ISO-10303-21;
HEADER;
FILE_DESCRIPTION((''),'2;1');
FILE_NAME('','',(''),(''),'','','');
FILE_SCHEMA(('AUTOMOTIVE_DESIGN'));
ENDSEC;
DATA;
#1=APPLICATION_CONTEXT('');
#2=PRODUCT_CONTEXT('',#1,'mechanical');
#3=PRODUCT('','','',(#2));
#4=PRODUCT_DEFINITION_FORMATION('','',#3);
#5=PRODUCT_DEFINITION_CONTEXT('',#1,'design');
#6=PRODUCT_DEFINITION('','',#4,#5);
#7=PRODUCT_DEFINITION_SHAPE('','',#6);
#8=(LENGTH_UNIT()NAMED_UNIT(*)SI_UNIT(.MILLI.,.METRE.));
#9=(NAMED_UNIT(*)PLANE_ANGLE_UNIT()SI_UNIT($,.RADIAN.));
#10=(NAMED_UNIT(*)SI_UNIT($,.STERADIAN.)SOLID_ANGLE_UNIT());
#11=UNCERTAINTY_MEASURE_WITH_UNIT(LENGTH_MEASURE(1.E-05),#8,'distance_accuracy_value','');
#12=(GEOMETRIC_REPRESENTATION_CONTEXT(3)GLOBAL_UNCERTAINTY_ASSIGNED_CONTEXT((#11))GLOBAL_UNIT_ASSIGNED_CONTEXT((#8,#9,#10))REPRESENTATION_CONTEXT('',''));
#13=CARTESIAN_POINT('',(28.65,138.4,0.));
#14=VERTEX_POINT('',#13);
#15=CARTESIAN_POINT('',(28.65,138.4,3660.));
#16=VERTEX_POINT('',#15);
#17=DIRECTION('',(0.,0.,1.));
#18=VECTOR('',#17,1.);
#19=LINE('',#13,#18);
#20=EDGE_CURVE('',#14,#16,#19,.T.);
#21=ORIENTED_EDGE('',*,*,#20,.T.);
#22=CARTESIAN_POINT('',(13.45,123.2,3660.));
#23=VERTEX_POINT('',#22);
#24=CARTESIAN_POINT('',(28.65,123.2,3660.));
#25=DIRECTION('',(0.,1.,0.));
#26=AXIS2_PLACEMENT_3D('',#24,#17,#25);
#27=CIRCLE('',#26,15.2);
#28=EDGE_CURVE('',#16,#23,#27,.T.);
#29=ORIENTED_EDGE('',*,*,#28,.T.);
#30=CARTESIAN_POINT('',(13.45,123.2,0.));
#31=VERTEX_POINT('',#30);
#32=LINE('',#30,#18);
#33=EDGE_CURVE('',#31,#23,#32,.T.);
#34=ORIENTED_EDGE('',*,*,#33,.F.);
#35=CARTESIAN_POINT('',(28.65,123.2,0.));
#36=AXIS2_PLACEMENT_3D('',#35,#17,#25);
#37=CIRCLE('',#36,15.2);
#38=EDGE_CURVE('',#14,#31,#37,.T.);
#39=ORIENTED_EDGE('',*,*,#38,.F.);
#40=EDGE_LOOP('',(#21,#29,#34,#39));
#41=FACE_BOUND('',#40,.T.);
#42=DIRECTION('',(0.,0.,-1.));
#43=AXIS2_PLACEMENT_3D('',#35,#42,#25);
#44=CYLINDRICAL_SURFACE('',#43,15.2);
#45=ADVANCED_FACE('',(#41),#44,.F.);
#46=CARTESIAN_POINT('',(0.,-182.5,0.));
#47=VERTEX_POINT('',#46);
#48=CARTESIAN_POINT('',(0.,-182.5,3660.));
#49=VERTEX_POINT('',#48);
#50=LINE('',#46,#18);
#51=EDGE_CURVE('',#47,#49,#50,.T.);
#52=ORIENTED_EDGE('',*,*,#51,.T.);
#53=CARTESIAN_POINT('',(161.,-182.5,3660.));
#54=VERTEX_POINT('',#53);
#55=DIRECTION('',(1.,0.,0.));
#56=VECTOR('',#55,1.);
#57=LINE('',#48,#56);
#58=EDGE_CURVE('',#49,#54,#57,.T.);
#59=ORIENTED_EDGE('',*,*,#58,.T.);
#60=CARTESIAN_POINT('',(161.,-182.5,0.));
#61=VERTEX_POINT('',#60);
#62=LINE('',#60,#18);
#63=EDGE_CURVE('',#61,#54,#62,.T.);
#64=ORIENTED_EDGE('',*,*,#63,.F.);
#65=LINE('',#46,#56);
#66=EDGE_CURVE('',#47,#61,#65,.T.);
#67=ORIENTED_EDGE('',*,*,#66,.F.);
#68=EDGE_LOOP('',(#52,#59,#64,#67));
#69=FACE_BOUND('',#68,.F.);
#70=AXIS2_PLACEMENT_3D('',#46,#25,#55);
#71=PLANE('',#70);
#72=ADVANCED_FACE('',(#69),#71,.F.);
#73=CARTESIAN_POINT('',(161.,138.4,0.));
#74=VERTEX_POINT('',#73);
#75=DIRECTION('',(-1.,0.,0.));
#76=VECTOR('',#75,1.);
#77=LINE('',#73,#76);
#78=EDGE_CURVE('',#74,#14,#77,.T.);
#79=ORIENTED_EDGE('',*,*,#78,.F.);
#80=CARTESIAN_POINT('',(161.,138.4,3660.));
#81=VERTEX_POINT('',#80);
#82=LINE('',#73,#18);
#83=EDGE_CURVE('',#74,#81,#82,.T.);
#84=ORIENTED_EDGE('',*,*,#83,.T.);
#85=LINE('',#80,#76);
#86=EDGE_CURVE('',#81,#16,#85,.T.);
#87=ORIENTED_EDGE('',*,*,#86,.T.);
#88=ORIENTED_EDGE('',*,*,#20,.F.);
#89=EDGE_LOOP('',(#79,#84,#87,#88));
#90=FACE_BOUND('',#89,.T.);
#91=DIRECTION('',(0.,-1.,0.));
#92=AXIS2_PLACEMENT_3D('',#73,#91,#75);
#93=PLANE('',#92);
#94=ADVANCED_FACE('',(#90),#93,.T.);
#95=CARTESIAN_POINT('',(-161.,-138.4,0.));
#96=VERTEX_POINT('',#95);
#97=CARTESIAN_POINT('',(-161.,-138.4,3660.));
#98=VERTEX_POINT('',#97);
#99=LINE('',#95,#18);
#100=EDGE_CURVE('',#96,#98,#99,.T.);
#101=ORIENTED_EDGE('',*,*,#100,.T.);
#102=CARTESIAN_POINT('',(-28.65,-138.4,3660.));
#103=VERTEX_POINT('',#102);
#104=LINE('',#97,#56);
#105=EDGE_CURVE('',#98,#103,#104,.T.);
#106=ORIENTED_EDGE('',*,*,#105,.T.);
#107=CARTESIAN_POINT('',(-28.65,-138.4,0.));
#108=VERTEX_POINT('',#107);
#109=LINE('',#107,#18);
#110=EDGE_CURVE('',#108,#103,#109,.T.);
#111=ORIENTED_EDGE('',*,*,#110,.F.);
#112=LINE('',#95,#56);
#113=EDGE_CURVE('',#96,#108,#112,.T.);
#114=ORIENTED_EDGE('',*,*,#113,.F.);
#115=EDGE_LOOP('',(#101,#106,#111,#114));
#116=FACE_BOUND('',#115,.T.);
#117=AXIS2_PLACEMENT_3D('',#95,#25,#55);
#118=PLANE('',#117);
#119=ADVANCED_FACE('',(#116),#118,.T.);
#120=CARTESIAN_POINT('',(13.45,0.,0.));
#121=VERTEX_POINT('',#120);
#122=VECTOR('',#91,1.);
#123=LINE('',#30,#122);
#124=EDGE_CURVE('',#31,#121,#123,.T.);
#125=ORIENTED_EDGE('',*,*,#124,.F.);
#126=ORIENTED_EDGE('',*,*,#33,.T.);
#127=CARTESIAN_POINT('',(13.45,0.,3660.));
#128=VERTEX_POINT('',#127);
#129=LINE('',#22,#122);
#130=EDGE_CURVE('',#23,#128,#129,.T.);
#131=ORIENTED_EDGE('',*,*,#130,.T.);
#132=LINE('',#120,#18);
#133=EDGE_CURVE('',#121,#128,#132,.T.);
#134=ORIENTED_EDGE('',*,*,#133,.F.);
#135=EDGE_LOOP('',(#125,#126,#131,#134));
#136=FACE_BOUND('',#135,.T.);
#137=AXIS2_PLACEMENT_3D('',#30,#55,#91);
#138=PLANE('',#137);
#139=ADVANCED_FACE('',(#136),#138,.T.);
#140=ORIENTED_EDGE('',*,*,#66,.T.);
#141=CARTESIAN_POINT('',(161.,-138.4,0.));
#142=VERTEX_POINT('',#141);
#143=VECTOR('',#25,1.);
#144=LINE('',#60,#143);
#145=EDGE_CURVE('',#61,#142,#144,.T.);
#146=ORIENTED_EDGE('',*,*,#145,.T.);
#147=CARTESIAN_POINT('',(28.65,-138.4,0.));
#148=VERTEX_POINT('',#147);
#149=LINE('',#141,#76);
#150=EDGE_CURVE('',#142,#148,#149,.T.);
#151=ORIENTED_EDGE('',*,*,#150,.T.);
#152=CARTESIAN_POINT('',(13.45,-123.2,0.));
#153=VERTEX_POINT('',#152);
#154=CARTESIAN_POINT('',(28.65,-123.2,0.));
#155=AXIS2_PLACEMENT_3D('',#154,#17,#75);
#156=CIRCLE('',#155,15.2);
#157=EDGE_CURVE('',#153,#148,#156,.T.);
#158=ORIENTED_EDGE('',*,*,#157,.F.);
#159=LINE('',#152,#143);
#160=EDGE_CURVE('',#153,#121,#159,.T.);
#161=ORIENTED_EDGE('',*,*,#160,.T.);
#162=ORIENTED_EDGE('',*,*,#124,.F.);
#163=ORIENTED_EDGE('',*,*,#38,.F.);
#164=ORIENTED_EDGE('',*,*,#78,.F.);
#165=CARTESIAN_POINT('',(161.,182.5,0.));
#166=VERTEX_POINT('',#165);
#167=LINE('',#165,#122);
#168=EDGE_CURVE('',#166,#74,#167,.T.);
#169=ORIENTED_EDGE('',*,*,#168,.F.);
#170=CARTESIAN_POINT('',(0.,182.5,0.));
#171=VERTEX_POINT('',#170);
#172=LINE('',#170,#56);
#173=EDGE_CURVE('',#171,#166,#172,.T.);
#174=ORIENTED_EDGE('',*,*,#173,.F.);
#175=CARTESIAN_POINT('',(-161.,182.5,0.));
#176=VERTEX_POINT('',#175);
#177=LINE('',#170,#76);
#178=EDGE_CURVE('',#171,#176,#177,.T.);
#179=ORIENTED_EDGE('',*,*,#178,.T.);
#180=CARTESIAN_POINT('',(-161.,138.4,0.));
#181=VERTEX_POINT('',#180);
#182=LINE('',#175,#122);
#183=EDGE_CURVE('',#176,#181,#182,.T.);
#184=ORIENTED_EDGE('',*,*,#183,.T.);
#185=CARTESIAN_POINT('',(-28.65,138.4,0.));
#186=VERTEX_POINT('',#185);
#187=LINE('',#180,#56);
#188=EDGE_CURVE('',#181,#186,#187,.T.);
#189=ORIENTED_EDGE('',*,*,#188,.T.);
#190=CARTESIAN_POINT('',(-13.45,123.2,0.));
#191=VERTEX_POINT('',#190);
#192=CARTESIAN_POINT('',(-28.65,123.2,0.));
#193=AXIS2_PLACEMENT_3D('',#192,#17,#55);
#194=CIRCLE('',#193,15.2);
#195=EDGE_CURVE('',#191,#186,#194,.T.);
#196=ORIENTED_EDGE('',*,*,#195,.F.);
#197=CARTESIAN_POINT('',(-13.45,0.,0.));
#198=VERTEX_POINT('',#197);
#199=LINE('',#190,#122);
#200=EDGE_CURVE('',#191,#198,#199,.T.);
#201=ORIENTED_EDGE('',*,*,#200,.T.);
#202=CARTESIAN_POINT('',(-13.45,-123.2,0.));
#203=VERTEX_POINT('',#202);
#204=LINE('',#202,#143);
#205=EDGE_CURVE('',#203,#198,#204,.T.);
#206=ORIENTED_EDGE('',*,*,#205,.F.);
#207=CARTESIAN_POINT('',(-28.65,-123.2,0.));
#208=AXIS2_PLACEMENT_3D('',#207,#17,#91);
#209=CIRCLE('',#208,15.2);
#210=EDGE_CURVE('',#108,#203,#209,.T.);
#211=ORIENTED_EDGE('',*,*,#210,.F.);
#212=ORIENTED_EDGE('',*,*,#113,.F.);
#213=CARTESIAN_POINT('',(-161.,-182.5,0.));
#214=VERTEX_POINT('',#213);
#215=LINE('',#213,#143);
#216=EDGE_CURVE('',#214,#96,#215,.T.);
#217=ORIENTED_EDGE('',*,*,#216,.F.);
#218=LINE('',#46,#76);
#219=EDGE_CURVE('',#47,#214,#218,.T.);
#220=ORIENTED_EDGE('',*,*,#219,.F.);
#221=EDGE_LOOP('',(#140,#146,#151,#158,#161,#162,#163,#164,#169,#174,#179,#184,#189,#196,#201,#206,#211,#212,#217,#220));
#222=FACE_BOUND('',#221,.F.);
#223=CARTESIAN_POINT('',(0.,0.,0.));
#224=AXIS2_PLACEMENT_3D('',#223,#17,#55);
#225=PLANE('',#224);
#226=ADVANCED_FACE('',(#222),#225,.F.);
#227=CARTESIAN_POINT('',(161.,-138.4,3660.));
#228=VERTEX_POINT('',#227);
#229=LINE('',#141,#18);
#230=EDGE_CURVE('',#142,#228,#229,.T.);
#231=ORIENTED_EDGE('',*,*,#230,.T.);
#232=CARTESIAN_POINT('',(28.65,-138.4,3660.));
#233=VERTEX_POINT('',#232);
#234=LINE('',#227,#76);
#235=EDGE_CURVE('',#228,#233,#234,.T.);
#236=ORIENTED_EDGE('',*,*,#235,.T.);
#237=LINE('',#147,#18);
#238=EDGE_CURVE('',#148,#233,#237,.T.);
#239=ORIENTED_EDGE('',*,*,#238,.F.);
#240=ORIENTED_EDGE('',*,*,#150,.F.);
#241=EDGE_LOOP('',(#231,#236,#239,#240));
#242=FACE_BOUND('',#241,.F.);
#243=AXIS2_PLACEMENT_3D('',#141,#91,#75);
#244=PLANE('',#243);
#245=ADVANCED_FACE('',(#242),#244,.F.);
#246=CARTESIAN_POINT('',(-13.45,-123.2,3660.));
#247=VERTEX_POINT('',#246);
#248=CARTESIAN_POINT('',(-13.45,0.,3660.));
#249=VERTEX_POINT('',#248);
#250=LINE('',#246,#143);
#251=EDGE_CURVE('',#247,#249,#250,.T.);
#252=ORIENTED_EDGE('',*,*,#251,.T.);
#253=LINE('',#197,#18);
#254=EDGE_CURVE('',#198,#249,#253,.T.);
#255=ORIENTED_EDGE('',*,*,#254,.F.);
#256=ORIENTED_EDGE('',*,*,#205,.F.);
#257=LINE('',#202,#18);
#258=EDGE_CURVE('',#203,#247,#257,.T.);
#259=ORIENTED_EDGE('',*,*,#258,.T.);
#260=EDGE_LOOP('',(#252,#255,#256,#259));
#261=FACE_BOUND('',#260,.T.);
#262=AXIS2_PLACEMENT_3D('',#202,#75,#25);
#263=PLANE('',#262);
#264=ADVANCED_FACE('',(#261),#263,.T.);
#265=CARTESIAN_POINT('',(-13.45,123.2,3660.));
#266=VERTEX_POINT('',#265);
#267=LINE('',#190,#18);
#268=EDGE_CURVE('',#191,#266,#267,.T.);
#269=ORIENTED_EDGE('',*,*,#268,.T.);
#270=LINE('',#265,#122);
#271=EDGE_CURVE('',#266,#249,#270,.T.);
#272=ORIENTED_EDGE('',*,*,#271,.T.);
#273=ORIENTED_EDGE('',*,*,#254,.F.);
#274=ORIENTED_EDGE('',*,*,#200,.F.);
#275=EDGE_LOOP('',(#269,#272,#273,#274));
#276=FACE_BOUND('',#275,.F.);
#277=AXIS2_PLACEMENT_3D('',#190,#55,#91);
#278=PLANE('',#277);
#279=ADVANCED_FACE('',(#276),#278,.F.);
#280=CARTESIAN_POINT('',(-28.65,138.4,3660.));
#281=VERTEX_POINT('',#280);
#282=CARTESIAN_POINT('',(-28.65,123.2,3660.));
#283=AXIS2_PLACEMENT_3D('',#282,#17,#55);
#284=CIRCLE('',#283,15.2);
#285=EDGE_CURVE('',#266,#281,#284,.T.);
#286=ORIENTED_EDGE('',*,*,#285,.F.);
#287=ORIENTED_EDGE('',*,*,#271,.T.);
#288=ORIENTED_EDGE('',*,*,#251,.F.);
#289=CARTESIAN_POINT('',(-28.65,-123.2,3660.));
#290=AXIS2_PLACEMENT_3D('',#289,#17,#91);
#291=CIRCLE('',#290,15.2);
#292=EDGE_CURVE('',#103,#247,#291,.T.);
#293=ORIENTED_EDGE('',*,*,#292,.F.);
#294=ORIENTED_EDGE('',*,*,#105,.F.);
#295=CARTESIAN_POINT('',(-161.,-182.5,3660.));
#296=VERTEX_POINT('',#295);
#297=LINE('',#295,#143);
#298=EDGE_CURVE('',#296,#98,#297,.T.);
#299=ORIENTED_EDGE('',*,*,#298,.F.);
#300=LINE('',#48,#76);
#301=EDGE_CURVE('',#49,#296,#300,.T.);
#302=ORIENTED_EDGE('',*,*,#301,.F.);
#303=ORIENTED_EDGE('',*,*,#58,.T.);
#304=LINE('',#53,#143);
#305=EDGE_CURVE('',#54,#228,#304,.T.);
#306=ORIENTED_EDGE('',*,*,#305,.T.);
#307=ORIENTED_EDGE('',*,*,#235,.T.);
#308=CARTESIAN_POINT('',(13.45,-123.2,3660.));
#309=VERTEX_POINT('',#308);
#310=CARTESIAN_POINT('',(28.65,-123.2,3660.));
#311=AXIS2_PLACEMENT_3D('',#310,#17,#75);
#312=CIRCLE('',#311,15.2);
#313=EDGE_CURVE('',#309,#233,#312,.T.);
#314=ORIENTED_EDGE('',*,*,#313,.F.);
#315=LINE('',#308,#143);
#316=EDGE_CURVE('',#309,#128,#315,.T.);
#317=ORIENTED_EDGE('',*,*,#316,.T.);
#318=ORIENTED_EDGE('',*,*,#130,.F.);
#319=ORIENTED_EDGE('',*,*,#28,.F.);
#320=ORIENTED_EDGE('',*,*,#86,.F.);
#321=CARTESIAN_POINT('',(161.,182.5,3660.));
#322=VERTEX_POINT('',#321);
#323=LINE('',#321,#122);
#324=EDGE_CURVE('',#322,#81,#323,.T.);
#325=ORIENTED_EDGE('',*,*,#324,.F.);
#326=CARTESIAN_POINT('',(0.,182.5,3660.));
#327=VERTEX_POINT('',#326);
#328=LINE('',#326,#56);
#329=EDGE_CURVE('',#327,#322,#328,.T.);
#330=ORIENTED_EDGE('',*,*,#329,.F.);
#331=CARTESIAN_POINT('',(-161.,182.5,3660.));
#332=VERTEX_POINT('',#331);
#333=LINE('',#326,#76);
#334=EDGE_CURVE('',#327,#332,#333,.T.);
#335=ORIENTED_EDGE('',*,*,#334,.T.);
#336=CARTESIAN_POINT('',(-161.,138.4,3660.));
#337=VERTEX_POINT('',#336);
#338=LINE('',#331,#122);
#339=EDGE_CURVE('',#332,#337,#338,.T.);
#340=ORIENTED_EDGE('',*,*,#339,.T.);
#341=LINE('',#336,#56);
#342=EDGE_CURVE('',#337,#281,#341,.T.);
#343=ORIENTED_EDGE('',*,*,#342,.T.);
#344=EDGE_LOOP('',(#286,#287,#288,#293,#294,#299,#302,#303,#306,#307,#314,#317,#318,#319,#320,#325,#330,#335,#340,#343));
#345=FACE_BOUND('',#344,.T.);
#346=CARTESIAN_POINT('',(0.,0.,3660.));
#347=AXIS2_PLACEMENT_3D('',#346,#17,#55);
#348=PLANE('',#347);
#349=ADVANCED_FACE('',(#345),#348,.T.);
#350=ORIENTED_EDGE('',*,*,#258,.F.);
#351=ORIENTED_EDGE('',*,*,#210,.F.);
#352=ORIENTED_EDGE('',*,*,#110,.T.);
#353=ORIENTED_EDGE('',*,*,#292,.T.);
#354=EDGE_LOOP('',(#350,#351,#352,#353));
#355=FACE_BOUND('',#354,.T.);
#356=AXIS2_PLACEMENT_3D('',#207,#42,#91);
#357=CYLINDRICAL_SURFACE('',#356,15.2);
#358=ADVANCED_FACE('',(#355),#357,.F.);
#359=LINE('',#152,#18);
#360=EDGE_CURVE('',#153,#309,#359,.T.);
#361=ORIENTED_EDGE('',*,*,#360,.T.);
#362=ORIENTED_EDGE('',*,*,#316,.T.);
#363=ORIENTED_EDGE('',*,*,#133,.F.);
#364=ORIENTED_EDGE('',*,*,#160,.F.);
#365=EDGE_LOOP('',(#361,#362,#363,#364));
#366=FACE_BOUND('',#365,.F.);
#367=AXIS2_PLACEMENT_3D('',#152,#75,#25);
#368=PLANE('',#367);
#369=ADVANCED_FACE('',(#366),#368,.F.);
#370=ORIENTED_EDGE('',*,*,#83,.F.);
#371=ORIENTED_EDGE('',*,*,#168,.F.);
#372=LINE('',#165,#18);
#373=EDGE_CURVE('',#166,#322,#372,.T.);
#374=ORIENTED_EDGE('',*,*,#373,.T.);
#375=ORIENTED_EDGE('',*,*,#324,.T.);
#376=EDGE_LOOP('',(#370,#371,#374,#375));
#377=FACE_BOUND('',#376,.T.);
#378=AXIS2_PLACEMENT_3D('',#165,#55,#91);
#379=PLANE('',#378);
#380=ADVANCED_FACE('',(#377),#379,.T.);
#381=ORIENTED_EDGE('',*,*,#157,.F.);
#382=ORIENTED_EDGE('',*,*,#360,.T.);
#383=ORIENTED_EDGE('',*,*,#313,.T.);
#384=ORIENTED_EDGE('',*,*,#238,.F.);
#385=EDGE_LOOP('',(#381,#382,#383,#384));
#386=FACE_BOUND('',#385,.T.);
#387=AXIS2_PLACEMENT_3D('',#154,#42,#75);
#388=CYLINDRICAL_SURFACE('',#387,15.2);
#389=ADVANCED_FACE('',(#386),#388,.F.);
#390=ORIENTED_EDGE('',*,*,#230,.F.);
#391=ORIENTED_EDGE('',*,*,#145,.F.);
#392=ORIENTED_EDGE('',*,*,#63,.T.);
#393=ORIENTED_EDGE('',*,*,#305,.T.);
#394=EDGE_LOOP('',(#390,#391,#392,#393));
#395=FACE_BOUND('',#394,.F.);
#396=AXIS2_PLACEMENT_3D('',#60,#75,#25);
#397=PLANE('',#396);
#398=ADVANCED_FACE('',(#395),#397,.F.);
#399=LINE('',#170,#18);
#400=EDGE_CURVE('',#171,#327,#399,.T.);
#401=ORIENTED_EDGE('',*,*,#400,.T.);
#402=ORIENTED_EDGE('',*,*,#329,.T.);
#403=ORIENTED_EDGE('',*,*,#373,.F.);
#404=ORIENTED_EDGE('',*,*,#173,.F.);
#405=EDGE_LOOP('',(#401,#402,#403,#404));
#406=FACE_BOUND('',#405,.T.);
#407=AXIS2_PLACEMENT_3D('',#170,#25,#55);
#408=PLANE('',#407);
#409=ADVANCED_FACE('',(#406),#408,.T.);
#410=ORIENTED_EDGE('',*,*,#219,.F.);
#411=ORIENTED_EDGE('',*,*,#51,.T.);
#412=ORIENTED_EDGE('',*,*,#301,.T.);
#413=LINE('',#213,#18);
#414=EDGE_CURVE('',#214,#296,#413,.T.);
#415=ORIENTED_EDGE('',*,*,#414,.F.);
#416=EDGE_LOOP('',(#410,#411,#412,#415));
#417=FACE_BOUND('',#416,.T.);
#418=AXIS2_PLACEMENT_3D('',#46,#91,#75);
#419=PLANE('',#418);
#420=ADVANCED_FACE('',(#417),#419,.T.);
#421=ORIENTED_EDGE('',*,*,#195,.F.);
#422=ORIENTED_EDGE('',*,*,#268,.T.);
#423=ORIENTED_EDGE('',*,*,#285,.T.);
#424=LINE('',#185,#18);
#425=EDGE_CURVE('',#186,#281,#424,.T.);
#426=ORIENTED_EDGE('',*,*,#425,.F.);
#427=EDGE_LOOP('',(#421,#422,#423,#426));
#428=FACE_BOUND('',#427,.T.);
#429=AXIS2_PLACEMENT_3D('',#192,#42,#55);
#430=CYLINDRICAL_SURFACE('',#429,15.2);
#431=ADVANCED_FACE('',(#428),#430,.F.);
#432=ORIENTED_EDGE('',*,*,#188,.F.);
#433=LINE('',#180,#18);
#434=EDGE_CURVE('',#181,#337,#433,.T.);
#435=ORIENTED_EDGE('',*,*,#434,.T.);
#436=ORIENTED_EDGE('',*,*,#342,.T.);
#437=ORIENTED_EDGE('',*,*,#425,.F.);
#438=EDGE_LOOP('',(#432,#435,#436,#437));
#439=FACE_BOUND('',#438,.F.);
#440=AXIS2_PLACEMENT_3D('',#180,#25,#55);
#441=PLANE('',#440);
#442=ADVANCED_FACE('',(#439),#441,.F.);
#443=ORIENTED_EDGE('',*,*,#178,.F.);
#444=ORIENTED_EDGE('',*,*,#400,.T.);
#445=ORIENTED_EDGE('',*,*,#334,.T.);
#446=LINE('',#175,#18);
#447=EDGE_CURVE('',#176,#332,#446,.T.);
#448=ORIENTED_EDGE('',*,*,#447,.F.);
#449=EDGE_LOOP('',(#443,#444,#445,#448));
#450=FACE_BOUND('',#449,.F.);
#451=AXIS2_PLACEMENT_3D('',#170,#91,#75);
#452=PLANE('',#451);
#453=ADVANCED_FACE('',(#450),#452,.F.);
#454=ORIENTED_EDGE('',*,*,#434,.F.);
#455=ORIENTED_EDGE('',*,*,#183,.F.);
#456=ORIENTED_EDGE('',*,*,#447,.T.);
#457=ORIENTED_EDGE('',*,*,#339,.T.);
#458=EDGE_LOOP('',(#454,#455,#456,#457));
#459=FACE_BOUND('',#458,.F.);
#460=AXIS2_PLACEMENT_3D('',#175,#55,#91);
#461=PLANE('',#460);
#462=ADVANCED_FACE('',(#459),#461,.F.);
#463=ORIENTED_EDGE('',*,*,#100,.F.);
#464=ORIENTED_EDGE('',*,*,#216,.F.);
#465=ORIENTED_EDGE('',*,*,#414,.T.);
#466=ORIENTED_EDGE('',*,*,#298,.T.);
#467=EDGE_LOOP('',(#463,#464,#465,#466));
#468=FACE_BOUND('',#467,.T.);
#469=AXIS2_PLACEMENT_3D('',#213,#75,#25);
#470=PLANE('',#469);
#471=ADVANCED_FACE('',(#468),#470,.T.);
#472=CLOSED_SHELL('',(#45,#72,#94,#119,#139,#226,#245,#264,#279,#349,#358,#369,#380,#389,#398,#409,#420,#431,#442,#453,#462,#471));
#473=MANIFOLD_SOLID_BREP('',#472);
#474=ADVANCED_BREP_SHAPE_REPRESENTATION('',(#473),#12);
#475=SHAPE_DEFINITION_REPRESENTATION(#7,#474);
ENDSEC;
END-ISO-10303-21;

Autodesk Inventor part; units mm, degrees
ref_plane "YZ Plane" through (0, 0, 0) normal (1, 0, 0) x (0, 1, 0)
ref_plane "Start plane" through (0, 0, 0) normal (0, 0, 1) x (1, 0, 0)
ref_plane "End plane" through (0, 0, 3660) normal (0, 0, 1) x (1, 0, 0)
sketch "Sketch" plane through (0, 0, 0) normal (0, 0, 1) x (1, 0, 0)
  line L0 (-161, -182.5) -> (-161, -138.4)
  line L1 (-161, -138.4) -> (-28.65, -138.4)
  line L2 (-13.45, -123.2) -> (-13.45, 0)
  line L3 (-13.45, 0) -> (0, 0) construction
  line L4 (0, 0) -> (0, -182.5) construction
  line L5 (0, -182.5) -> (-161, -182.5)
  line L6 (-60, 0) -> (80, 0) construction
  line L7 (0, -60) -> (0, 80) construction
  line L8 (161, -182.5) -> (161, -138.4)
  line L9 (161, -138.4) -> (28.65, -138.4)
  line L10 (13.45, -123.2) -> (13.45, 0)
  line L11 (13.45, 0) -> (0, 0) construction
  line L12 (0, -182.5) -> (161, -182.5)
  line L13 (-161, 182.5) -> (-161, 138.4)
  line L14 (-161, 138.4) -> (-28.65, 138.4)
  line L15 (-13.45, 123.2) -> (-13.45, 0)
  line L16 (0, 182.5) -> (-161, 182.5)
  line L17 (161, 182.5) -> (161, 138.4)
  line L18 (161, 138.4) -> (28.65, 138.4)
  line L19 (0, 182.5) -> (161, 182.5)
  line L20 (13.45, 123.2) -> (13.45, 0)
  arc A0 (-13.45, 123.2) -> (-28.65, 138.4) centre (-28.65, 123.2) ccw
  arc A1 (28.65, 138.4) -> (13.45, 123.2) centre (28.65, 123.2) ccw
  arc A2 (13.45, -123.2) -> (28.65, -138.4) centre (28.65, -123.2) ccw
  arc A3 (-28.65, -138.4) -> (-13.45, -123.2) centre (-28.65, -123.2) ccw
  line L21 (0, 108) -> (0, -88) construction
  line L22 (-88, 0) -> (108, 0) construction
  point P0 (-13.45, -138.4)
  point P1 (13.45, -138.4)
  point P2 (-13.45, 138.4)
  point P3 (13.45, 138.4)
  dimension "d1" = 182.5
  dimension "d2" = 44.1
  dimension "d3" = 161
  dimension "d4" = 13.45
  dimension "d10" = 15.2
extrude "Body" add sketch "Sketch" along normal up to surface (3660 mm away) from surface at 0
sketch "Sketch4" plane through (0, 0, 0) normal (0, 0, 1) x (1, 0, 0)
  line L0 (0, 0) -> (10, 0)
ref_plane "Work Plane3" through (0, 0, 0) normal (0, -1, 0) x (1, 0, 0)
sketch "Sketch5" plane through (0, 0, 0) normal (0, -1, 0) x (1, 0, 0)
  line L0 (-2, 0) -> (12, 0) projected
  line L1 (-2, 3660) -> (12, 3660) projected
  dimension "d14" = 3660
equation "\"d1\" = 0.5 * G_H"
equation "\"d2\" = G_T1"
equation "\"d3\" = 0.5 * G_W"
equation "\"d4\" = 0.5 * G_T"
equation "\"d10\" = G_IR"
equation "\"d5\" = G_L"
equation "\"G_W\" = 322"
equation "\"G_H\" = 365"
equation "\"G_T\" = 26.9"
equation "\"G_T1\" = 44.1"
equation "\"G_IR\" = 15.2"
equation "\"G_L\" = d14"
equation "\"G_OFFSET_START\" = 0"
equation "\"G_OFFSET_END\" = 0"
properties part number "AS 3679 - 310 UC - 283 - 3660" material "Steel, Mild"
